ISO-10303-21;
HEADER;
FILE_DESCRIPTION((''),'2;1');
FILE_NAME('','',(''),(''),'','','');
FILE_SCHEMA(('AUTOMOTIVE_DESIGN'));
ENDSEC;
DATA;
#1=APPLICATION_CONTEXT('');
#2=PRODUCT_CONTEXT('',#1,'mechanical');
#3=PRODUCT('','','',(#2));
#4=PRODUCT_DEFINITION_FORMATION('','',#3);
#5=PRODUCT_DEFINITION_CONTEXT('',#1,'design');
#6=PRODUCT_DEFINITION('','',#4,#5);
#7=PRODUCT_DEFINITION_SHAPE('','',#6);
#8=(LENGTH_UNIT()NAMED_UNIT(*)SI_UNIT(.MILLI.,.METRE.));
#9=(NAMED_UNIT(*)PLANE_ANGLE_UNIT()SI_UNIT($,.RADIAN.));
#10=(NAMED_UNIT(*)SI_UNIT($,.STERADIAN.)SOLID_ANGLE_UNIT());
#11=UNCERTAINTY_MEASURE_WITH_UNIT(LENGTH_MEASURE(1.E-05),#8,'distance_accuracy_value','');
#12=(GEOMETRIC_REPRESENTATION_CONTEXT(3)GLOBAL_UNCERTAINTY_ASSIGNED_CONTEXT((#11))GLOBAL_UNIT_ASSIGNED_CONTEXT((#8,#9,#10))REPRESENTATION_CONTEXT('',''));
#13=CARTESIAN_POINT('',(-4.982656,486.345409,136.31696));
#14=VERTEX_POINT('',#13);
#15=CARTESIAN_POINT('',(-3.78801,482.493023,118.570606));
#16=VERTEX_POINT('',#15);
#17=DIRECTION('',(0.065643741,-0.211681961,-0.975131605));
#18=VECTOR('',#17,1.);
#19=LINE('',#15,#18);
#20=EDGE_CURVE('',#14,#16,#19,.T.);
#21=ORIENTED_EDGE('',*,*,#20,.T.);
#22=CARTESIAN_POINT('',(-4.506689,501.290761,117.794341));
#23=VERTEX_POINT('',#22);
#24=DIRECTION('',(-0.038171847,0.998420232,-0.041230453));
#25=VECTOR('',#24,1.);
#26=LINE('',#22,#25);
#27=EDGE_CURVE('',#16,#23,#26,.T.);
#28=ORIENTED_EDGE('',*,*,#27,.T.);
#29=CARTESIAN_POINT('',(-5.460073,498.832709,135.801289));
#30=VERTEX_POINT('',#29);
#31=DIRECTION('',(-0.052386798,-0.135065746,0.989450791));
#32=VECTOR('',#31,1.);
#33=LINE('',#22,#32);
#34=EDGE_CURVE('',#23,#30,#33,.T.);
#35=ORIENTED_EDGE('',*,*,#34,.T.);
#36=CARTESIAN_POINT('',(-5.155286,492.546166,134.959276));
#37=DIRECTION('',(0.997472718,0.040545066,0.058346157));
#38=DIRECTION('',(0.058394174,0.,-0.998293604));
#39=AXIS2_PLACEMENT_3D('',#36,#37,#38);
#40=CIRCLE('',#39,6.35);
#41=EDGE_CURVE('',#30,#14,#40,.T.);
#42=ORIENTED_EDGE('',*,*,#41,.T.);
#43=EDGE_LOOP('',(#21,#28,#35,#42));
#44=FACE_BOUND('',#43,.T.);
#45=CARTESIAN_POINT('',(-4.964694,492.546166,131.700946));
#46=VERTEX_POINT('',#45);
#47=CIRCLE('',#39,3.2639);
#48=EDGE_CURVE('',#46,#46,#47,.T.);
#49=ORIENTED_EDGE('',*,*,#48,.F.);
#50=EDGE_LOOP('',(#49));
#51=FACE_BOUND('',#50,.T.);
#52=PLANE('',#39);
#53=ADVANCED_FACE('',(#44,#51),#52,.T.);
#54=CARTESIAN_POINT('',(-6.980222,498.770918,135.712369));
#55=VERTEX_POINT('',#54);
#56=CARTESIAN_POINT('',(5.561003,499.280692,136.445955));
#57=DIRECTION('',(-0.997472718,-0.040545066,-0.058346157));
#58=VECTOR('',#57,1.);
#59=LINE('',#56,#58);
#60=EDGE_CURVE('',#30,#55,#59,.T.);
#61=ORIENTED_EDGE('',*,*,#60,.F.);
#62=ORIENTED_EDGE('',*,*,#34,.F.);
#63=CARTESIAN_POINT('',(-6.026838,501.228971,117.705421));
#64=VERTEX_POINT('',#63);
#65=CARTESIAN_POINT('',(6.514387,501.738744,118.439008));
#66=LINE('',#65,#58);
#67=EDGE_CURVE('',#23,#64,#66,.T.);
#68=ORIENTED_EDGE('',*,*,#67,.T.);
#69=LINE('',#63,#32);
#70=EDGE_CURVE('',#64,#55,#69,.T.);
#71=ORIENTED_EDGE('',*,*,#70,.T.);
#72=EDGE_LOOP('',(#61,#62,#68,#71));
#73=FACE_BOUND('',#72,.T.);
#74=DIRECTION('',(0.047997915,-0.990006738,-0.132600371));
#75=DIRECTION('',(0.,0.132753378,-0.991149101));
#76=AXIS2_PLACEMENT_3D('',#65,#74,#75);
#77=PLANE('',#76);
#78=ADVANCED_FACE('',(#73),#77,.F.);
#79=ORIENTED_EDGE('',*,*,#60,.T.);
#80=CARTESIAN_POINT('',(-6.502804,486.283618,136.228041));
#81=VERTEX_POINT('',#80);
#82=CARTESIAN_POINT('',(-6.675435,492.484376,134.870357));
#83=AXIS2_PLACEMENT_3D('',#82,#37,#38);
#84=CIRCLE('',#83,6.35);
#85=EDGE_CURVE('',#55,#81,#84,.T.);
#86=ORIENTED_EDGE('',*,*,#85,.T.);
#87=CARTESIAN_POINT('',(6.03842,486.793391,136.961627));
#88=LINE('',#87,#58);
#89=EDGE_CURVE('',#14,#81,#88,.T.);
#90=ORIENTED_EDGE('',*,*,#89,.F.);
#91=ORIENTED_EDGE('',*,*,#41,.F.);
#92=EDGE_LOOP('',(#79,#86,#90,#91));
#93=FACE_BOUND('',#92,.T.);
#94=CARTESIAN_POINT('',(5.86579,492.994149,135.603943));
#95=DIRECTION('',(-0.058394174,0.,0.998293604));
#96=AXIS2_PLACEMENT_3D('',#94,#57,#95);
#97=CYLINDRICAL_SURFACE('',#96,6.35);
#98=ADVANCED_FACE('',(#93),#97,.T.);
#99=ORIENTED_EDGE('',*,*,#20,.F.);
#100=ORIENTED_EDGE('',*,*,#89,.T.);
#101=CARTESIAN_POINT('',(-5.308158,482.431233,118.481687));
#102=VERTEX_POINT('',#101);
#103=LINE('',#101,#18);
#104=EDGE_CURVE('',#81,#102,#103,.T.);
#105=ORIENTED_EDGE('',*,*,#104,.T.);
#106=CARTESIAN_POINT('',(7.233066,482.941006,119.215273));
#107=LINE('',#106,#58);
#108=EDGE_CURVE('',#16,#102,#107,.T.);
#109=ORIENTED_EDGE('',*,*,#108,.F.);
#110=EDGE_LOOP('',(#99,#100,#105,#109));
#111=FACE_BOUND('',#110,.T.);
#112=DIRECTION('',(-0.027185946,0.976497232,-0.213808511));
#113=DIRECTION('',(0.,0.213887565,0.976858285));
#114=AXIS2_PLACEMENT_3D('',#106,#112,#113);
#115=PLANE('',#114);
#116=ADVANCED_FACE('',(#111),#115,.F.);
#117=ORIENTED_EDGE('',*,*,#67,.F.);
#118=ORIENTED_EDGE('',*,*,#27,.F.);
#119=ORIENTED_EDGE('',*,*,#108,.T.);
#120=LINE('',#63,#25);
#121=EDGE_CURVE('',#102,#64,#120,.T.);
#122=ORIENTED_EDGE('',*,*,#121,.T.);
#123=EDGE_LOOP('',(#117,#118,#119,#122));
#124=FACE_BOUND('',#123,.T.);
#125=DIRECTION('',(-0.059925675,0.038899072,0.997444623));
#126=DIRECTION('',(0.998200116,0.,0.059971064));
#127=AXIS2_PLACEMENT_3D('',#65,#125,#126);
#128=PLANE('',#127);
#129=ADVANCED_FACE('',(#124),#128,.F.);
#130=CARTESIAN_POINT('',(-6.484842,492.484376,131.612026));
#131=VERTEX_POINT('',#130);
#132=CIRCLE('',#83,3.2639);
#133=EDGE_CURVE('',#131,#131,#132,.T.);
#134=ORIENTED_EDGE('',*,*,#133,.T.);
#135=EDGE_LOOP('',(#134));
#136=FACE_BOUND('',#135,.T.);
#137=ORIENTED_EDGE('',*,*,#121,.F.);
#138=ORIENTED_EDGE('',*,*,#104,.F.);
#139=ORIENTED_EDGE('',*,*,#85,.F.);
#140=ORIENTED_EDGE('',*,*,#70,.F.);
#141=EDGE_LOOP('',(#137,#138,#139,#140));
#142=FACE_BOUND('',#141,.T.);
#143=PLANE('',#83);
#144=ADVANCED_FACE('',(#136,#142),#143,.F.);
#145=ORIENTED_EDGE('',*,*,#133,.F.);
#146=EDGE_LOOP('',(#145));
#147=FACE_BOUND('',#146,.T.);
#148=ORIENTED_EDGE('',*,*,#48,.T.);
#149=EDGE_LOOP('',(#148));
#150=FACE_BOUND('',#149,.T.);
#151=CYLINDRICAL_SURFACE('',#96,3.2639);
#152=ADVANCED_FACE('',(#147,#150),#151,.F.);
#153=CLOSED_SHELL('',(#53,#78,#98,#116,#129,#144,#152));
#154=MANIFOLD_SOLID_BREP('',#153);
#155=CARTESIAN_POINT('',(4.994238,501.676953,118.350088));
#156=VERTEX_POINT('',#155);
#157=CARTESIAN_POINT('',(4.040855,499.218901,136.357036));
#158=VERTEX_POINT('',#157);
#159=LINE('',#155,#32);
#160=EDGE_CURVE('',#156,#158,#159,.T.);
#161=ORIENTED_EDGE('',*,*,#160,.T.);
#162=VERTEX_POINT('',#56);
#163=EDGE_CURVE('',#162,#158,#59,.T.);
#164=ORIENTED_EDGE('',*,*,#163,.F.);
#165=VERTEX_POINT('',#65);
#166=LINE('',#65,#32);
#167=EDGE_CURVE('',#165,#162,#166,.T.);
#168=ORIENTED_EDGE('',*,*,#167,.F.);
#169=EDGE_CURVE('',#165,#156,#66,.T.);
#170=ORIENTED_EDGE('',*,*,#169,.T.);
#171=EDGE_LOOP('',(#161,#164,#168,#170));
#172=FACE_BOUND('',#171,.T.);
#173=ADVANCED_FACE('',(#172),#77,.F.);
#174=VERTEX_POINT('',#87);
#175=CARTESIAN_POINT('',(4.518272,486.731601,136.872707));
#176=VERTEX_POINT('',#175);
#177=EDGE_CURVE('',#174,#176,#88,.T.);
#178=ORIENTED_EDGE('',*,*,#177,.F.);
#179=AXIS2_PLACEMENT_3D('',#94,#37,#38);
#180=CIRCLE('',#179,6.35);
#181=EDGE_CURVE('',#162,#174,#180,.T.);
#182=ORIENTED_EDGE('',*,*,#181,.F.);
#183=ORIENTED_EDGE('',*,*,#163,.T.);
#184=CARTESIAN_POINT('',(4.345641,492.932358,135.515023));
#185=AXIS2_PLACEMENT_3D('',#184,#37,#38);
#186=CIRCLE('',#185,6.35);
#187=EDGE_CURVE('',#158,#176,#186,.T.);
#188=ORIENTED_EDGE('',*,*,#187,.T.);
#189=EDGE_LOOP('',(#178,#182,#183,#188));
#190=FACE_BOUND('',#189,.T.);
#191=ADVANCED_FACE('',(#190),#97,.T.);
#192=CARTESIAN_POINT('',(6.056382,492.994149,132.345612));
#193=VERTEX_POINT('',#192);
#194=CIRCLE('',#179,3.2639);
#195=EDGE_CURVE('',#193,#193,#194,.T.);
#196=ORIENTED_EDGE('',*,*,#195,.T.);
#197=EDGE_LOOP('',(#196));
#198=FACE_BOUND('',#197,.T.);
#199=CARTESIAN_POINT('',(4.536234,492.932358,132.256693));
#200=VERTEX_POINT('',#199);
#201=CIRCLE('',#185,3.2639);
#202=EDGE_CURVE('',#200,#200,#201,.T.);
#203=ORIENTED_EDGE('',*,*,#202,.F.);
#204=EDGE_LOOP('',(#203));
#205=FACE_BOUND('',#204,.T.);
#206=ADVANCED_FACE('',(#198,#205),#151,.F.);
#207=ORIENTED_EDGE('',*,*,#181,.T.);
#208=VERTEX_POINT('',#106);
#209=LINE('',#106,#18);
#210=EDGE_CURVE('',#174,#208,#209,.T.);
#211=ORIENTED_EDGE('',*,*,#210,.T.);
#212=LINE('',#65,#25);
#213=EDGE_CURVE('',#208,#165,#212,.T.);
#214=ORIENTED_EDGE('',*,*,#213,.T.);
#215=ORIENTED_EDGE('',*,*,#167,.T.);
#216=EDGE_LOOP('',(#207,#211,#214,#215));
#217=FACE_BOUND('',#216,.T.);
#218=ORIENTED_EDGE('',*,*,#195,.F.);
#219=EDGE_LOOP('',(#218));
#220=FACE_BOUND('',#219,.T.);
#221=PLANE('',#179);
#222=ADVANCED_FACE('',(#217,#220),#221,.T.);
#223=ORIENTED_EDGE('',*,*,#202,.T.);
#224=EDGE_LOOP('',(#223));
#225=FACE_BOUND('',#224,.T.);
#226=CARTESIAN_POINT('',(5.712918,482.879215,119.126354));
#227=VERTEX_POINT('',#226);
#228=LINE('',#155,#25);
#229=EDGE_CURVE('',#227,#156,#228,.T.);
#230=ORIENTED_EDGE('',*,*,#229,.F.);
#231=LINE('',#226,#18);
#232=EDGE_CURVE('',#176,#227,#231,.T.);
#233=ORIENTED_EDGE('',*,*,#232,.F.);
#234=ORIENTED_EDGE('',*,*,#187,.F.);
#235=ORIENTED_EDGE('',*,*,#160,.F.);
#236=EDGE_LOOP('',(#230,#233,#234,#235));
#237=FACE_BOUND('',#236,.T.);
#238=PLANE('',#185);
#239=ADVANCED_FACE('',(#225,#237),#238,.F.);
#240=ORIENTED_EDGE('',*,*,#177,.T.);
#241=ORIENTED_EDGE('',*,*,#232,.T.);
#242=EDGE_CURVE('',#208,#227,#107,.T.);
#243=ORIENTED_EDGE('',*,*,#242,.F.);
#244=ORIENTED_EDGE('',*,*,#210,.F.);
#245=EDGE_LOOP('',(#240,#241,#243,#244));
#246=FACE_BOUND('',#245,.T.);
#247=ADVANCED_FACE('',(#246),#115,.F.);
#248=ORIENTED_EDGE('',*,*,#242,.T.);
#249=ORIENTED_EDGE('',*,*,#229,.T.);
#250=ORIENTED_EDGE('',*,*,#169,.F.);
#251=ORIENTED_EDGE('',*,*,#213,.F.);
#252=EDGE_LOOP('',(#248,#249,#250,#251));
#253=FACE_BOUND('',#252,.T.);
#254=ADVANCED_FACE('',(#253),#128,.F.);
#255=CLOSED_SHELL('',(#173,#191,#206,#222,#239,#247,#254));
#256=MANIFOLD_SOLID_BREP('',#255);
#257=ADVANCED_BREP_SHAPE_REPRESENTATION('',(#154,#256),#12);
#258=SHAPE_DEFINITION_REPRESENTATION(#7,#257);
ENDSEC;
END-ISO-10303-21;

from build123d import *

# Parameters (mm, degrees)
SKETCH1_R           = 3.2639
BOSS_EXTRUDE1_DEPTH = 6.2865
SKETCH1_2_R         = 3.2639
CUT_EXTRUDE1_DEPTH  = 4.7625


with BuildPart() as part:
    # Sketch1 → Boss-Extrude1 (new, symmetric)
    with BuildSketch(Plane(origin=(27.39550281, 1.113566762, 1.602472205), x_dir=(0.05829801557917802, 0.0023696857432327634, -0.9982964118782599), z_dir=(0.9974727182261839, 0.04054506583391268, 0.05834615695135168))):
        with BuildLine():
            Line((-116.668497282, 501.060182643), (-117.446087561, 482.248765825))
            Line((-117.446087561, 482.248765825), (-135.222725421, 486.146492507))
            ThreePointArc((-135.222725421, 486.146492507), (-140.207306403, 492.611405123), (-134.70617374, 498.642879415))
            Line((-134.70617374, 498.642879415), (-116.668497282, 501.060182643))
        make_face()
        with Locations((-133.862724494, 492.349144962)):
            Circle(SKETCH1_R, mode=Mode.SUBTRACT)
    extrude(amount=BOSS_EXTRUDE1_DEPTH, both=True)

    # Sketch1<2> → Cut-Extrude1 (cut, symmetric)
    with BuildSketch(Plane(origin=(27.39550281, 1.113566762, 1.602472205), x_dir=(0.05829801557917802, 0.0023696857432327634, -0.9982964118782599), z_dir=(0.9974727182261839, 0.04054506583391268, 0.05834615695135168))):
        with BuildLine():
            Line((-116.668497282, 501.060182643), (-117.446087561, 482.248765825))
            Line((-117.446087561, 482.248765825), (-135.222725421, 486.146492507))
            ThreePointArc((-135.222725421, 486.146492507), (-140.207306403, 492.611405123), (-134.70617374, 498.642879415))
            Line((-134.70617374, 498.642879415), (-116.668497282, 501.060182643))
        make_face()
        with Locations((-133.862724494, 492.349144962)):
            Circle(SKETCH1_2_R, mode=Mode.SUBTRACT)
    extrude(amount=CUT_EXTRUDE1_DEPTH, both=True, mode=Mode.SUBTRACT)


with BuildPart() as cut_extrude1_piece_1:
    # of the separate pieces the step leaves, piece 1, a body of its own (cut_extrude1_pieces)
    add(part.part.solids().sort_by_distance((-6.980221505, 498.77091844, 135.712368992))[0])


with BuildPart() as cut_extrude1_piece_2:
    # of the separate pieces the step leaves, piece 2, a body of its own (cut_extrude1_pieces)
    add(part.part.solids().sort_by_distance((4.040854559, 499.218900872, 136.35703568))[0])


solid = Compound([cut_extrude1_piece_1.part, cut_extrude1_piece_2.part])
